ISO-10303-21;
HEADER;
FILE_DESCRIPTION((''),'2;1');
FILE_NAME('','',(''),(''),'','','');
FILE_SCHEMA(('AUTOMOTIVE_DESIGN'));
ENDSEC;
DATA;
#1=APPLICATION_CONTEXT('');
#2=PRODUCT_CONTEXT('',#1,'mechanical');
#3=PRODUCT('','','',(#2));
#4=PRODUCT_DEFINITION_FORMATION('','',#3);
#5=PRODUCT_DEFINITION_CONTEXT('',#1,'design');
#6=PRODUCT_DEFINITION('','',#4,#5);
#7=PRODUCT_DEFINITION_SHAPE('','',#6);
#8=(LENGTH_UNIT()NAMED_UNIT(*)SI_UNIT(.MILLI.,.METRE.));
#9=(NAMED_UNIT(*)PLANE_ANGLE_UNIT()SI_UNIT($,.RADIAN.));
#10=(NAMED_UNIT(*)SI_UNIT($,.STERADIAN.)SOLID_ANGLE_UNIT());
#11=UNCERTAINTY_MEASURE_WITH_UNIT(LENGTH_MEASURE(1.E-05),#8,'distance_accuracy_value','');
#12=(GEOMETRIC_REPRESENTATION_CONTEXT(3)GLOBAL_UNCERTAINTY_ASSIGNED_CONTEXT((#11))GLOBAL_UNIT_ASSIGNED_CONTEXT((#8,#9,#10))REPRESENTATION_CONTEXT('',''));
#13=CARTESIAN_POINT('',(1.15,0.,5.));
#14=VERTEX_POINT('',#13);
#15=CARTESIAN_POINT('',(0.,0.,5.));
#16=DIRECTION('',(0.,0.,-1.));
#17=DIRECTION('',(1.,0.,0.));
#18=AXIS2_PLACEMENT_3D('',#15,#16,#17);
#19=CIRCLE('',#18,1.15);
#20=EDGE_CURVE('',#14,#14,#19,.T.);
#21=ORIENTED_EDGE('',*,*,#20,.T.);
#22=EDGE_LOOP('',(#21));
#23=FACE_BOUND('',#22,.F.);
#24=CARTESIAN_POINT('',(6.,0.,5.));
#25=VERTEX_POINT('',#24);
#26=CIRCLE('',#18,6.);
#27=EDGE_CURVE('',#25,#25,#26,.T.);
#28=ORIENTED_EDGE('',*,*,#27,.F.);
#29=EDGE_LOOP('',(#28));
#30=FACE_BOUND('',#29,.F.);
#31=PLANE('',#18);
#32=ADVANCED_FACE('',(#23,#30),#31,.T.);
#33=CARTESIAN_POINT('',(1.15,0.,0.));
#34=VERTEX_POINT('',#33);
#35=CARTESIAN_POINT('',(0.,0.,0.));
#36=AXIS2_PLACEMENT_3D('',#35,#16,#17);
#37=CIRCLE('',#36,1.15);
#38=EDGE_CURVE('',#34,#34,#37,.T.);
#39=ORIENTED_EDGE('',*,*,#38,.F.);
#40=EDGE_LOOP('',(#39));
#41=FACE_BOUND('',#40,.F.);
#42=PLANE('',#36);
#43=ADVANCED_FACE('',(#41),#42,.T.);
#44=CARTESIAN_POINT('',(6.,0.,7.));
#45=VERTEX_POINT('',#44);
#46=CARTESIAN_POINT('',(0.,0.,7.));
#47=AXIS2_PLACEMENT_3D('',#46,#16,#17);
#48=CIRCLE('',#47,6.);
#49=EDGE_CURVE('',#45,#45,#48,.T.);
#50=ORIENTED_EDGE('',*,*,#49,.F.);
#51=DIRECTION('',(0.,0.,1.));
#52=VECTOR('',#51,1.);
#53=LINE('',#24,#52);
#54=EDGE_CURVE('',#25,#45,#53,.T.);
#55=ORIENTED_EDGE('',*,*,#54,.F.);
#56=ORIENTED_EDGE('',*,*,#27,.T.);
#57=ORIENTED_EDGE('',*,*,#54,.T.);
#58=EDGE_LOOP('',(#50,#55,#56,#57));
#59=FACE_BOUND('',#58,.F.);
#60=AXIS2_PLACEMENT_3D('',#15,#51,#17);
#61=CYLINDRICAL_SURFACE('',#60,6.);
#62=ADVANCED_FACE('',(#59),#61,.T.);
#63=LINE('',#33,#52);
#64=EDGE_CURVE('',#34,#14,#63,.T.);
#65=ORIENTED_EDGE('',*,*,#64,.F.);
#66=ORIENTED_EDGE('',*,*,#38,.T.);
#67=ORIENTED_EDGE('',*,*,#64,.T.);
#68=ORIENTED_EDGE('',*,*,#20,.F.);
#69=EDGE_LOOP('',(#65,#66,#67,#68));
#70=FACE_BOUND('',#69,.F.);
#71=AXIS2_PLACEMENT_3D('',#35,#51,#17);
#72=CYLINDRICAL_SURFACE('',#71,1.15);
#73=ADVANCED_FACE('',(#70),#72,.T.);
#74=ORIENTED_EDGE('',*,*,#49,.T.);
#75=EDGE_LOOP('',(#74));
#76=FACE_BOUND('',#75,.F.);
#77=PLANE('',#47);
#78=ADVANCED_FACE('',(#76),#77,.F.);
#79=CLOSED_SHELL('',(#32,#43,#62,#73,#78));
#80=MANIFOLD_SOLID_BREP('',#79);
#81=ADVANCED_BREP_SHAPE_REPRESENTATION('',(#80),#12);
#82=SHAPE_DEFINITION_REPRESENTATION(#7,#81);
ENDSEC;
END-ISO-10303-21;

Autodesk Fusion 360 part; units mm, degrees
sketch "Sketch1" plane through (0, 0, 0) normal (0, 1, 0) x (1, 0, 0)
  line L0 (0, 0) -> (1.15, 0)
  line L1 (1.15, 0) -> (1.15, -5)
  line L2 (1.15, -5) -> (6, -5)
  line L3 (6, -5) -> (6, -7)
  line L4 (6, -7) -> (0, -7)
  line L5 (0, -7) -> (0, 0)
  dimension "d1" = 1.15
  dimension "d2" = 5
  dimension "d5" = 6
revolve "Revolve1" add sketch "Sketch1" angle 360 about axis through (0, 0, 7) along (0, 0, -1)
